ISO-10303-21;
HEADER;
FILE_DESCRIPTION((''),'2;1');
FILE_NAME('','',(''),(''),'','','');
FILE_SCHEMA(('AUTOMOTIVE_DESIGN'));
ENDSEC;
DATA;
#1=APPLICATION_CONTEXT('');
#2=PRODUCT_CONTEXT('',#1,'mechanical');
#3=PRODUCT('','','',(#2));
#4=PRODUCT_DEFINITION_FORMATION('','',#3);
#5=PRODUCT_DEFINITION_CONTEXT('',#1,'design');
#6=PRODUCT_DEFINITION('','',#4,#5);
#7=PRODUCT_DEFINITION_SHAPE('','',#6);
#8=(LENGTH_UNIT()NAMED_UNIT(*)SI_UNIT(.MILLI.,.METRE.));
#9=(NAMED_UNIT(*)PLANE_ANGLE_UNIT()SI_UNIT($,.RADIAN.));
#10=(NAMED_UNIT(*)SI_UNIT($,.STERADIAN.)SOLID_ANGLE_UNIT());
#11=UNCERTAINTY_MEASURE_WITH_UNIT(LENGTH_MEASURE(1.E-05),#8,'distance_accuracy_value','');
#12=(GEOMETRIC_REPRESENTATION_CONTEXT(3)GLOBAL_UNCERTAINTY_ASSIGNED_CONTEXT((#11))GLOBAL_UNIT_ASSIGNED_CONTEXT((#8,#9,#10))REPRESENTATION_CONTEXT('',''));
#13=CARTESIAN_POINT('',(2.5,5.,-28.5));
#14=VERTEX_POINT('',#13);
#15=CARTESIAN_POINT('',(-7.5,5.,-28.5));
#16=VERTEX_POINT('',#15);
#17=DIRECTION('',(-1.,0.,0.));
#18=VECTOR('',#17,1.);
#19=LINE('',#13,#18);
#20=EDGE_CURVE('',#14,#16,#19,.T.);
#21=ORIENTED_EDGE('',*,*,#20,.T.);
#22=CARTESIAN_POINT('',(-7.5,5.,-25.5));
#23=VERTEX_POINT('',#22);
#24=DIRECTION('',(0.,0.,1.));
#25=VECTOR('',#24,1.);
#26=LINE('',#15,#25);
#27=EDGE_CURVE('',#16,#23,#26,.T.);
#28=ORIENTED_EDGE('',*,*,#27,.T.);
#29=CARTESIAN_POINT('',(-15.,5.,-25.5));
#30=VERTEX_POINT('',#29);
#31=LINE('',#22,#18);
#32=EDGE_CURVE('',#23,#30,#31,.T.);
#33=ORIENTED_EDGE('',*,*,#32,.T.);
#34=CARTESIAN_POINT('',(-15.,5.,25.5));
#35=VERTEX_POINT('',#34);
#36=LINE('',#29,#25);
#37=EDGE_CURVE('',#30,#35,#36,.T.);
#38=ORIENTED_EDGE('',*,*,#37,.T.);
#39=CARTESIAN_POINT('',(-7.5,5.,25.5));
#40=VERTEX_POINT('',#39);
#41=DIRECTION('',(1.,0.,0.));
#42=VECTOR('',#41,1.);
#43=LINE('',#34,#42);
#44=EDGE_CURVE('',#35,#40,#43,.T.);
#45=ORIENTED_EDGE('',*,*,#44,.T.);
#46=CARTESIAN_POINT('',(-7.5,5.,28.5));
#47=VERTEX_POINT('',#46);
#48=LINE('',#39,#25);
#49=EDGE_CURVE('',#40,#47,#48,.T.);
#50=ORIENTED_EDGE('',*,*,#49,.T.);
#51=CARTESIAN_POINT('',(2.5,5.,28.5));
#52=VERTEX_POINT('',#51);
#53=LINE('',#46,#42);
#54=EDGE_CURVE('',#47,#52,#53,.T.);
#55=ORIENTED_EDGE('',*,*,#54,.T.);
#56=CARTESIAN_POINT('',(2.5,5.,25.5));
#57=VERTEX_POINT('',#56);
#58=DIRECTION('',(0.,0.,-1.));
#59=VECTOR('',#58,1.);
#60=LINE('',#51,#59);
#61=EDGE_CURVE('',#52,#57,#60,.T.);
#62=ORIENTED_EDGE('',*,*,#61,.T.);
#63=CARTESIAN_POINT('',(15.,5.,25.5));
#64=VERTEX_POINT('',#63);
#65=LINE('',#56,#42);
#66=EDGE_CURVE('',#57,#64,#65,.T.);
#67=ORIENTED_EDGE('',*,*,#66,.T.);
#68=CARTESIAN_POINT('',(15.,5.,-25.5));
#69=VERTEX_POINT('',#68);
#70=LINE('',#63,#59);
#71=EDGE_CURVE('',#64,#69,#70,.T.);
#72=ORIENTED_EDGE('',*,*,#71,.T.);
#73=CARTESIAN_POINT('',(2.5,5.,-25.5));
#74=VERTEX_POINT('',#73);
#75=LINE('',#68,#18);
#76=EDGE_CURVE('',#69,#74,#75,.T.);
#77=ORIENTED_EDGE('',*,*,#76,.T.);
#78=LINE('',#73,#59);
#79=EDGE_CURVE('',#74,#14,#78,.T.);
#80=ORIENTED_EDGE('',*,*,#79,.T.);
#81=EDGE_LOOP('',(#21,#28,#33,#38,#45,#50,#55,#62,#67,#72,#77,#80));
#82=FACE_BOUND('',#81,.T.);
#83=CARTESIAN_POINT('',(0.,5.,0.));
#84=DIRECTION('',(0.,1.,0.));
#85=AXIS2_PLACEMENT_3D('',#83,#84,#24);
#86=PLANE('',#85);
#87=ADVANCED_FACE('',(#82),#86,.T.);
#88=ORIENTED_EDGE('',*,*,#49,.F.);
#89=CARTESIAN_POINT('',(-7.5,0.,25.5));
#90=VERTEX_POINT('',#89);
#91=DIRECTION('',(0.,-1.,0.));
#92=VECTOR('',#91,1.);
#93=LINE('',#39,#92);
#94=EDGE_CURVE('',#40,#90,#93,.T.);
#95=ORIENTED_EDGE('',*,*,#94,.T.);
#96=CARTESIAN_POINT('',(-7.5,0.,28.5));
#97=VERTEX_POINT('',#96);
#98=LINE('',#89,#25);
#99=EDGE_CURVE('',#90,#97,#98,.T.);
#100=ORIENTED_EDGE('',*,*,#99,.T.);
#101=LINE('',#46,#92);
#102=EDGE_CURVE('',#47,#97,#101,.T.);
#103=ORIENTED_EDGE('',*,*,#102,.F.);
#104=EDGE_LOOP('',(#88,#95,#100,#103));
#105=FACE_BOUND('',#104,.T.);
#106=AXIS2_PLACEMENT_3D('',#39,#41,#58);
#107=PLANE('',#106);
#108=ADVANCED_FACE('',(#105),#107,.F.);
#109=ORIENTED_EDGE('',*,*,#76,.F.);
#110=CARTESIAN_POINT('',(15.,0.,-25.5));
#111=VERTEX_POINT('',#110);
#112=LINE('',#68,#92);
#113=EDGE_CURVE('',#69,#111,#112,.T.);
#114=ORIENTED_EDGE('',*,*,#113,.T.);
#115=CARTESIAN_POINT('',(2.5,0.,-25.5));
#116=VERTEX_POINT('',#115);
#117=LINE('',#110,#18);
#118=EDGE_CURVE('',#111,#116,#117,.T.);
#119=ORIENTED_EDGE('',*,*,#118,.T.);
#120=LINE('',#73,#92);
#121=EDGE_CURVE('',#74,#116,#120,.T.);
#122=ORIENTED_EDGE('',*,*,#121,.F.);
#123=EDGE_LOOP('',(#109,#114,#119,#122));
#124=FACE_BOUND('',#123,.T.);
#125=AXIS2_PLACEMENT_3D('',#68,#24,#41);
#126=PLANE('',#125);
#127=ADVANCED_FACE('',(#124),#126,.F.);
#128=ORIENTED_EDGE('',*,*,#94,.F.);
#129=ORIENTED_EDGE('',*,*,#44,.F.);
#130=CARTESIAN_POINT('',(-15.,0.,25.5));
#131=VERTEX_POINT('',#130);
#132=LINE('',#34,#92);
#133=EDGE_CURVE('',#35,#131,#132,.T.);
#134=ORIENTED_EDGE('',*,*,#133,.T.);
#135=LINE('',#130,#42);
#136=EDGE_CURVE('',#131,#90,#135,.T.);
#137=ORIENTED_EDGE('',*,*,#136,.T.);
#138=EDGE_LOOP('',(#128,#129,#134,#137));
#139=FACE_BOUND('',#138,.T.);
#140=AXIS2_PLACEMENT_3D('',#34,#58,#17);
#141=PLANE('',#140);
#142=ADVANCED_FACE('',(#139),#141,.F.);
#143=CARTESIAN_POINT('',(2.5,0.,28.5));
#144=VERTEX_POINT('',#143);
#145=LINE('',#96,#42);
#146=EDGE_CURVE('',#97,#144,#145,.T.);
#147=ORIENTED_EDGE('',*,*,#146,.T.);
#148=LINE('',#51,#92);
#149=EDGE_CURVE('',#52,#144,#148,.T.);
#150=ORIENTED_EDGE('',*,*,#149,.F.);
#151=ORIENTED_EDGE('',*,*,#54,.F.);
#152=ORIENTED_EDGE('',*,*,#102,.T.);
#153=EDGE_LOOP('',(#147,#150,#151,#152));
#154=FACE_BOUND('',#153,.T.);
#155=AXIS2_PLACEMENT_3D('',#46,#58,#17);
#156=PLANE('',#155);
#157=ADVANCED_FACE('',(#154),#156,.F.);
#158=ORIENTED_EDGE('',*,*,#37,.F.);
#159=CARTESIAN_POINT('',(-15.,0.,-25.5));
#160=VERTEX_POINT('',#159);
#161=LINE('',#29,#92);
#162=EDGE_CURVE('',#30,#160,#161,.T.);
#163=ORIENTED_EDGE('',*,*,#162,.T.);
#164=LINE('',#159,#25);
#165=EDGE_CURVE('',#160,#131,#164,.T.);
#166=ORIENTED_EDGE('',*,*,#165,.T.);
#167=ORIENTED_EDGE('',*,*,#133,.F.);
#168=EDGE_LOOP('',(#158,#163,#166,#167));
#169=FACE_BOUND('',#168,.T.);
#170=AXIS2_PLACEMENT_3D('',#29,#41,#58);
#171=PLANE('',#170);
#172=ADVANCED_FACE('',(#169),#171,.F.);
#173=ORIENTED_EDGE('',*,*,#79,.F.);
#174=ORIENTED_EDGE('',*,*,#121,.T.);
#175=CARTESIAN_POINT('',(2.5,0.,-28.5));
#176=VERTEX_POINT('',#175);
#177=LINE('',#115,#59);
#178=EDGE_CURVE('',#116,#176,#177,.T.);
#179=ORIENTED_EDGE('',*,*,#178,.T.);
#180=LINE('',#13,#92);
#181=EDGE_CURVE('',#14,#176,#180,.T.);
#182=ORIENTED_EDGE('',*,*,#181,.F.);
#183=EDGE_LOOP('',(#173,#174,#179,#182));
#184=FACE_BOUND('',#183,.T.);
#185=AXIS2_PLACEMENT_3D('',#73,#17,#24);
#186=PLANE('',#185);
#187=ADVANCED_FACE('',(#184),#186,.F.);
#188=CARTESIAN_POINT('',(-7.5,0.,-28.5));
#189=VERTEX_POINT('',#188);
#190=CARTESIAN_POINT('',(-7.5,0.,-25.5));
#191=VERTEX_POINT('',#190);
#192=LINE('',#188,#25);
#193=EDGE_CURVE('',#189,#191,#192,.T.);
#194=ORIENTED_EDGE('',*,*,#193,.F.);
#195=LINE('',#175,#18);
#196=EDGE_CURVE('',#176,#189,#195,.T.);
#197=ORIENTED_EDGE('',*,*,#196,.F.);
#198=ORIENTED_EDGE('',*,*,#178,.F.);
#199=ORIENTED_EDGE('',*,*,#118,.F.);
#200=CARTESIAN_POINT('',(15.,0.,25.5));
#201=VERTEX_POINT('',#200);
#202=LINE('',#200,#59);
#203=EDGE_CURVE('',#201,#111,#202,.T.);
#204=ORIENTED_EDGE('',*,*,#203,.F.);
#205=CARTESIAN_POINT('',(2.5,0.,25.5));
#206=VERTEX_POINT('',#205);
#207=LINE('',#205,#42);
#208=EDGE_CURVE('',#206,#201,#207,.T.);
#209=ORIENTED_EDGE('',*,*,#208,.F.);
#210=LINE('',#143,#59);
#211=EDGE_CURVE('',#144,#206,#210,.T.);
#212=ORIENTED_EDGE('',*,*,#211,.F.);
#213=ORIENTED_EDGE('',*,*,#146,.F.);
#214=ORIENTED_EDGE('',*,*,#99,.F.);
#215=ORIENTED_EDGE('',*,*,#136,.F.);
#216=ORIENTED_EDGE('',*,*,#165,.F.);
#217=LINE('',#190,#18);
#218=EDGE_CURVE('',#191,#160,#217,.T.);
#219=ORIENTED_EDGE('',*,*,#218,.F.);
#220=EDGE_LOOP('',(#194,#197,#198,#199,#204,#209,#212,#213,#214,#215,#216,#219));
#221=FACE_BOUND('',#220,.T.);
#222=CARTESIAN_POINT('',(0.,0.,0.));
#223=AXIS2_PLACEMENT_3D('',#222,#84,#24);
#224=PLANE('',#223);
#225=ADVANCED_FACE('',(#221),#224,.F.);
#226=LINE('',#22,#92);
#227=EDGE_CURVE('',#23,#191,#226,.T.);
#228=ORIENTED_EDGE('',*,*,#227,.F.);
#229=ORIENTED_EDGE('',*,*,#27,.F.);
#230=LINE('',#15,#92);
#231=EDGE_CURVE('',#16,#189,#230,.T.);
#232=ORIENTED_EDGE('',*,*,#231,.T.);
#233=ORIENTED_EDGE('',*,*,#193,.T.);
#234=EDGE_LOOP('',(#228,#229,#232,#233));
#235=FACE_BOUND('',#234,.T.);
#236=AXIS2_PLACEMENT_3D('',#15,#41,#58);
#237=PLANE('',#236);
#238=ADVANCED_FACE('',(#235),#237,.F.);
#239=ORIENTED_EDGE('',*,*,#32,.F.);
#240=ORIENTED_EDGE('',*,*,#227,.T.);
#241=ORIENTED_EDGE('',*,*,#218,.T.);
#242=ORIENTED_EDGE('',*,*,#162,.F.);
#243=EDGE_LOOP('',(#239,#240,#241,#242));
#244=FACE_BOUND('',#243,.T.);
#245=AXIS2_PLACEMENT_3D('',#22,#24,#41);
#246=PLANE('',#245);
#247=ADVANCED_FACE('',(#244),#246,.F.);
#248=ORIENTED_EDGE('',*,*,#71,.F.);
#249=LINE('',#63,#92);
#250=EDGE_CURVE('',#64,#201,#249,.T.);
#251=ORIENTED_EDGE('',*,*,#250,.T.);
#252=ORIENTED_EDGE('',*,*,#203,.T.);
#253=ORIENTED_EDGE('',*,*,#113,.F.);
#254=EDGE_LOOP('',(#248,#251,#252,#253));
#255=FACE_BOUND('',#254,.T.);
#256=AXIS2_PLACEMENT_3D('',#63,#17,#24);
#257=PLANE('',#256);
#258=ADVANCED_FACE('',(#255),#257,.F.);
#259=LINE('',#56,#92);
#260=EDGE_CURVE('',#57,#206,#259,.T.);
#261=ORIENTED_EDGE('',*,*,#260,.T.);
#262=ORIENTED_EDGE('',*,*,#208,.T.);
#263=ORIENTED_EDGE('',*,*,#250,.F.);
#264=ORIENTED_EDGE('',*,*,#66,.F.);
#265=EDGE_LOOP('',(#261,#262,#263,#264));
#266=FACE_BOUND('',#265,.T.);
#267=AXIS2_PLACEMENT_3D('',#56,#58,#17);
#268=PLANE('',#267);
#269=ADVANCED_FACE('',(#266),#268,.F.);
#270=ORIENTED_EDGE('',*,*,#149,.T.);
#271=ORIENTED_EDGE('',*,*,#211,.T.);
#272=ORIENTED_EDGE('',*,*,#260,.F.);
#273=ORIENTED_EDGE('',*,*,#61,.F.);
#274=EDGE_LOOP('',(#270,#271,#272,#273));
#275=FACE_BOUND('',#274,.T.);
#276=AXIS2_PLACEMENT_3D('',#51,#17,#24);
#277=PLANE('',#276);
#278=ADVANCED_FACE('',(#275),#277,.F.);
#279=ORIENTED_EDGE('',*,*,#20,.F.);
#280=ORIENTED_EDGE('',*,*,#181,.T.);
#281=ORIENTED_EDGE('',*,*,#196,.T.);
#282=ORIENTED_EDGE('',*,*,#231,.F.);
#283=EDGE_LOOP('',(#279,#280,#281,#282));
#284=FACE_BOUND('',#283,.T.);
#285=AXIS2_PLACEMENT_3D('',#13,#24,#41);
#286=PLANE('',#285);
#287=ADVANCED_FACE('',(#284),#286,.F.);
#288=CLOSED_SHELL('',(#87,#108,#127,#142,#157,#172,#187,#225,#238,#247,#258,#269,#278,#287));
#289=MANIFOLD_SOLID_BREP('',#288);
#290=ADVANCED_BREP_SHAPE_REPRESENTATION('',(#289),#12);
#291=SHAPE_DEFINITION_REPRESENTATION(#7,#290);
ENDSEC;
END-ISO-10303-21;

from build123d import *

# Parameters (mm, degrees)
BOSS_EXTRU_1_DEPTH = 5


with BuildPart() as part:
    # Esquisse1 → Boss.-Extru.1 (new body)
    with BuildSketch(Plane(origin=(0, 0, 0), x_dir=(1, 0, 0), z_dir=(0, 1, 0))):
        Polygon((15, 25.5), (2.5, 25.5), (2.5, 28.5), (-7.5, 28.5), (-7.5, 25.5), (-15, 25.5), (-15, -25.5), (-7.5, -25.5), (-7.5, -28.5), (2.5, -28.5), (2.5, -25.5), (15, -25.5), align=None)
    extrude(amount=BOSS_EXTRU_1_DEPTH)


solid = part.part
